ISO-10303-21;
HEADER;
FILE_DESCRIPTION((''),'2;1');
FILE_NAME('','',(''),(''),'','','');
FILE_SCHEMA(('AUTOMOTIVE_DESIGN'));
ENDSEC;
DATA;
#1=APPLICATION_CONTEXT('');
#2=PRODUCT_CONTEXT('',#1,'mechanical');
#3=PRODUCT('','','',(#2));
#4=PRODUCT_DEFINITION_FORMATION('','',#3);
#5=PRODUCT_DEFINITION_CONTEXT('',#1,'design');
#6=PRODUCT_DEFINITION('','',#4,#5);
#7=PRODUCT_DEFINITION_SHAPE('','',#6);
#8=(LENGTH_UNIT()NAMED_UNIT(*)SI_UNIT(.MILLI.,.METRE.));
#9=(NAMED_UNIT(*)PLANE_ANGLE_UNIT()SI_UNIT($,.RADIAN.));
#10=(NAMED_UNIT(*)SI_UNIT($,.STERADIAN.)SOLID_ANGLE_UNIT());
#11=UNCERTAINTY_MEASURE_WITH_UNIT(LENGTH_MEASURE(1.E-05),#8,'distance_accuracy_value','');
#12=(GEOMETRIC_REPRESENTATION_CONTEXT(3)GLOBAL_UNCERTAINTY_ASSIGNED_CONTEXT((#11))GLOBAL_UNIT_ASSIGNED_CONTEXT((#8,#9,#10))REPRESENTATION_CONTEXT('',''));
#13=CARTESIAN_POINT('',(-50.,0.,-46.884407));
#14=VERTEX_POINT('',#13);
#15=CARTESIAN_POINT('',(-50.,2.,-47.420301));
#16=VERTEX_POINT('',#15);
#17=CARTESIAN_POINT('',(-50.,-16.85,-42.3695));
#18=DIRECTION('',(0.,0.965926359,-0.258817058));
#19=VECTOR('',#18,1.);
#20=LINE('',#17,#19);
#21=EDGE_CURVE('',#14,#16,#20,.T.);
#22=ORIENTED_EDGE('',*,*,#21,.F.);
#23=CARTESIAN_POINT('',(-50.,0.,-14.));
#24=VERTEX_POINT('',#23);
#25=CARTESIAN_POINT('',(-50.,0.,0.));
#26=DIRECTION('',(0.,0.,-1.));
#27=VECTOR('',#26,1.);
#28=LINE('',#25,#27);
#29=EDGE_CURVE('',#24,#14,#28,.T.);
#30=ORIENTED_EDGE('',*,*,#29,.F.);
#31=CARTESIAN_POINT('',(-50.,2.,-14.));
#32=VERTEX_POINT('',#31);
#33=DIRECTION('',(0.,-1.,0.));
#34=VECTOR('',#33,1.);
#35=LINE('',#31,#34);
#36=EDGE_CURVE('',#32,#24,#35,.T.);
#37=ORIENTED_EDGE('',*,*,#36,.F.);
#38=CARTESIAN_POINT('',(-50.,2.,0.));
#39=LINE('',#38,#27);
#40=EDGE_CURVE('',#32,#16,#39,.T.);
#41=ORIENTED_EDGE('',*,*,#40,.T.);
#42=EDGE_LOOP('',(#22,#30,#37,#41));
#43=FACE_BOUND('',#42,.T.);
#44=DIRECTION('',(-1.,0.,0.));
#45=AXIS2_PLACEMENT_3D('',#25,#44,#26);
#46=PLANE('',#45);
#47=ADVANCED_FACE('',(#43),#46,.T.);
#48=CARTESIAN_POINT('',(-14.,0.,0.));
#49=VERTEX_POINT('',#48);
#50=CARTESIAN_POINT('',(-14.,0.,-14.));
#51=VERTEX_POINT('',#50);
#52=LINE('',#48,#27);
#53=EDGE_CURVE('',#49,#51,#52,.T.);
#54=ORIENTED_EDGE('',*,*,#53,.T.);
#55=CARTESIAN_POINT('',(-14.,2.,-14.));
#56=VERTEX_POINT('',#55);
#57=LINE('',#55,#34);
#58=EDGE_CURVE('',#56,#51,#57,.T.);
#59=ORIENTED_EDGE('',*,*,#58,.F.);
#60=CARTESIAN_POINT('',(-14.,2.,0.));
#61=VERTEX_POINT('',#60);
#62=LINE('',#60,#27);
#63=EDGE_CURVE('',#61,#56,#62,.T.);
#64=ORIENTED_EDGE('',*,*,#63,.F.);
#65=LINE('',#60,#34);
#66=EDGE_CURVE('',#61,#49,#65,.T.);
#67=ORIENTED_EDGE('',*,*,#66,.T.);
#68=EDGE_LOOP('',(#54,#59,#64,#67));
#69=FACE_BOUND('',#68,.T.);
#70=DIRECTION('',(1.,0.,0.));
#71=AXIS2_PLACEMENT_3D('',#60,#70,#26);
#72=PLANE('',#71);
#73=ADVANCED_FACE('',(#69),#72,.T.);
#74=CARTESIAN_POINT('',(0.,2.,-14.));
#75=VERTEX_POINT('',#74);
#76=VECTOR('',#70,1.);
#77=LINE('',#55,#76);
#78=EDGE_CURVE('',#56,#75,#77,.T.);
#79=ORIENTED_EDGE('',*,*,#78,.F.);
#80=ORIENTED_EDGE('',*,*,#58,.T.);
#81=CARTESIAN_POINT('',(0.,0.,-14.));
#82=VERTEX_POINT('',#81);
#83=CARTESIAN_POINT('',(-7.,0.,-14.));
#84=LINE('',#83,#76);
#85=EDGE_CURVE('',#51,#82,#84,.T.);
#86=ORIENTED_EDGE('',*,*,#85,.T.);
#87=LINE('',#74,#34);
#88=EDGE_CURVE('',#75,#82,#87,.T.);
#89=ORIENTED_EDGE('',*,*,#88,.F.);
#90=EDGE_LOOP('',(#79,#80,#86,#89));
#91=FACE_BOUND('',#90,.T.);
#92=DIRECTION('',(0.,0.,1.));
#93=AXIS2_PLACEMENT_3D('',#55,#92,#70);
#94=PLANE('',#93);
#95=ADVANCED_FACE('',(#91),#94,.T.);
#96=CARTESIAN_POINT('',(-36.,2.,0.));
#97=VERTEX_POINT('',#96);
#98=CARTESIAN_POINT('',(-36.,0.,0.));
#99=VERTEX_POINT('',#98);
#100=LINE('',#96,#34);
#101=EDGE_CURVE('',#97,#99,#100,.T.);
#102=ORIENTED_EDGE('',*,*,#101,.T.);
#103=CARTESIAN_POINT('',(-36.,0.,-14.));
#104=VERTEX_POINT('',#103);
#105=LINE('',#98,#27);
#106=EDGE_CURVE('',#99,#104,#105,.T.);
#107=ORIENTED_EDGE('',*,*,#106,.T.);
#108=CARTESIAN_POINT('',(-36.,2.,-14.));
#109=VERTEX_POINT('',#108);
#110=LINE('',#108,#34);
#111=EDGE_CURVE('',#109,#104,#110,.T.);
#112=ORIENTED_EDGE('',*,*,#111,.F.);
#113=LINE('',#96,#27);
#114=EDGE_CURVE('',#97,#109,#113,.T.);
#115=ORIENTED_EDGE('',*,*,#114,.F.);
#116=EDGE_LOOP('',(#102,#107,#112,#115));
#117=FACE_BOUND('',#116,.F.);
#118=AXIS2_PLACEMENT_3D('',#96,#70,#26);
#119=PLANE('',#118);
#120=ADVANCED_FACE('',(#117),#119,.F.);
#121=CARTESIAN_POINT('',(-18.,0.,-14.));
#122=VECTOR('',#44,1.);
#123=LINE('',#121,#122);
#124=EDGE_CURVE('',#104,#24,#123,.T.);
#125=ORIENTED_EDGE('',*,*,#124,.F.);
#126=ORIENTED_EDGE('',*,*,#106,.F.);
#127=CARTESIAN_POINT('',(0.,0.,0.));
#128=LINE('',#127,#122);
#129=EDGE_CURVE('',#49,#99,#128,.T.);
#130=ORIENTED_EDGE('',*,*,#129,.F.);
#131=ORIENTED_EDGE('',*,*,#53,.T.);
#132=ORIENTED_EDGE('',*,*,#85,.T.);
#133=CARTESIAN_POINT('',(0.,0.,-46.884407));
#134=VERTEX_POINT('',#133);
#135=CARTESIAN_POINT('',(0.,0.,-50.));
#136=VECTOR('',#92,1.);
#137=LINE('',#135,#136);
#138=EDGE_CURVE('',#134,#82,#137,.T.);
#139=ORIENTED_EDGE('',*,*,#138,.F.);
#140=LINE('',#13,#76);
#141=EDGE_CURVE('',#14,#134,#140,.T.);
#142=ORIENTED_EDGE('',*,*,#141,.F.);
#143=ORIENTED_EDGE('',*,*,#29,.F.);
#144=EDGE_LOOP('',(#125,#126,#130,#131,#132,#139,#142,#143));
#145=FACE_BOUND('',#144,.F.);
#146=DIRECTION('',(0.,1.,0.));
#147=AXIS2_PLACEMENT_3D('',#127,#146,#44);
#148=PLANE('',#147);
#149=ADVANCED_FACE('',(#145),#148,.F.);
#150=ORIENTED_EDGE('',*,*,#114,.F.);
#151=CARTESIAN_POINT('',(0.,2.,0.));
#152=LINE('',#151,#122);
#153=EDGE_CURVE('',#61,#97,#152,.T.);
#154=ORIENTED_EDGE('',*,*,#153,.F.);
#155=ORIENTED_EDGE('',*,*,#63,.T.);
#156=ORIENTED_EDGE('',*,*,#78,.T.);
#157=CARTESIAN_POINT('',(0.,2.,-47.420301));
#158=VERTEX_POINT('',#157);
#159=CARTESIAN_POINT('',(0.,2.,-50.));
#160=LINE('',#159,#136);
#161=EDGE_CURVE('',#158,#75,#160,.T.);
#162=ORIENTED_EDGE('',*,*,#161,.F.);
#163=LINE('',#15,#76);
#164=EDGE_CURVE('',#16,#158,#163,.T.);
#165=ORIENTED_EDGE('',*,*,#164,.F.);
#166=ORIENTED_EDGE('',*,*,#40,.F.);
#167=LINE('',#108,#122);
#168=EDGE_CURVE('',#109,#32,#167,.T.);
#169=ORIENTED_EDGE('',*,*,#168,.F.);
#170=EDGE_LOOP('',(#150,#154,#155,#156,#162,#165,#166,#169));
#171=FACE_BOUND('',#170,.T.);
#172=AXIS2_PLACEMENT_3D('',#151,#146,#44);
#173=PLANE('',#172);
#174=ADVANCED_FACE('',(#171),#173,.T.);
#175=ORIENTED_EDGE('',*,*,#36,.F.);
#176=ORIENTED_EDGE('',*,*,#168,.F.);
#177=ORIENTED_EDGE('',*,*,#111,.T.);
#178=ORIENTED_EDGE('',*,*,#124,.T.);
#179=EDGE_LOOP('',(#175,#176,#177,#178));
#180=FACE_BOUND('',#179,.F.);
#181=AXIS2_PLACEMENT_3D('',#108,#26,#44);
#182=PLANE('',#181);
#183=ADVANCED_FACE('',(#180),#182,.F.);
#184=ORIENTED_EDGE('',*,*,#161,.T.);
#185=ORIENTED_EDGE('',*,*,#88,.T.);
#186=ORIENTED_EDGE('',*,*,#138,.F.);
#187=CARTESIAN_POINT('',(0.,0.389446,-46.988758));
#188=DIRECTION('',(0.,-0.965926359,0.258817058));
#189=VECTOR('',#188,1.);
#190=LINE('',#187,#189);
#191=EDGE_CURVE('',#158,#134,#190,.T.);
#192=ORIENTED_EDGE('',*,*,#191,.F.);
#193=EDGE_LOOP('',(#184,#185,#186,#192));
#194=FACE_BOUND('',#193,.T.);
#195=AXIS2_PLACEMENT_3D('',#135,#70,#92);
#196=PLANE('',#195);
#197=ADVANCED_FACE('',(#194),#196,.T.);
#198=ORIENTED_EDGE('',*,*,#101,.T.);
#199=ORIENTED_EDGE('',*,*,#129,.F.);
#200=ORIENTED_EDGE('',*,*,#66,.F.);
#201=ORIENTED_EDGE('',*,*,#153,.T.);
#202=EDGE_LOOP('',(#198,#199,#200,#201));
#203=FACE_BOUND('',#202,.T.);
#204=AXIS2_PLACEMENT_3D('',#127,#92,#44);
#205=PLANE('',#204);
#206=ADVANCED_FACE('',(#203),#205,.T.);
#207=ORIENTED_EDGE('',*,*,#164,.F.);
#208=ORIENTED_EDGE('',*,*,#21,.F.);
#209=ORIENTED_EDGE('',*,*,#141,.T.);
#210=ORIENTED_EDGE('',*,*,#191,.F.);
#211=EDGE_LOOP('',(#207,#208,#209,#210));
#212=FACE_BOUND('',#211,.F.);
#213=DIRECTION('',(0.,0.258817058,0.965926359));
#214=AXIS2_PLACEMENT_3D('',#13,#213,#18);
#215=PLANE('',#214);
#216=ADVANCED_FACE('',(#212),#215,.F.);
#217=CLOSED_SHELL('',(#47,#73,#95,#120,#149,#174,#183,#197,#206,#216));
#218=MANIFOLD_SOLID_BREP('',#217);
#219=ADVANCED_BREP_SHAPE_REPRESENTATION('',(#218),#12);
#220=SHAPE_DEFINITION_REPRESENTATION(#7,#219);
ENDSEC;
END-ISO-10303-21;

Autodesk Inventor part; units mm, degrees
ref_plane "YZ Plane" through (0, 0, 0) normal (1, 0, 0) x (0, 1, 0)
ref_plane "XZ Plane" through (0, 0, 0) normal (0, 1, 0) x (-1, 0, 0)
ref_plane "XY Plane" through (0, 0, 0) normal (0, 0, 1) x (1, 0, 0)
sketch "Szkic1" plane through (0, 0, 0) normal (0, 1, 0) x (-1, 0, 0)
  line L0 (0, 0) -> (50, 0)
  line L1 (50, 0) -> (50, -50)
  line L2 (50, -50) -> (0, -50)
  line L3 (0, -50) -> (0, 0)
  dimension "d0" = 50
  dimension "d1" = 50
extrude "Wyciągnięcie proste1" add sketch "Szkic1" along normal blind 2
sketch "Szkic2" plane through (0, 2, 0) normal (0, 1, 0) x (1, 0, 0)
  line L0 (0, 50) -> (-50, 50) projected
  line L1 (-50, 50) -> (-50, 0) projected
  line L2 (-50, 0) -> (0, 0) projected
  line L3 (0, 0) -> (0, 50) projected
  line L4 (0, 0) -> (-14, 0)
  line L5 (-14, 0) -> (-14, 14)
  line L6 (-14, 14) -> (0, 14)
  line L7 (0, 14) -> (0, 0)
  line L8 (-50, 0) -> (-36, 0)
  line L9 (-36, 0) -> (-36, 14)
  line L10 (-36, 14) -> (-50, 14)
  line L11 (-50, 14) -> (-50, 0)
  point P0 (-36, 0)
  point P1 (0, 14)
  point P2 (-14, 0)
  dimension "d4" = 14
  dimension "d5" = 14
  dimension "d8" = 14
  dimension "d11" = 14
extrude "Wyciągnięcie proste2" cut sketch "Szkic2" against normal through all contours L3 L2 L5 L6 | L10 L9 L2 L1
sketch "Szkic4" plane through (-50, 0, -50) normal (-1, 0, 0) x (0, 0, 1)
  line L0 (36, 0) -> (36, 2) projected
  line L1 (0, 2) -> (36, 2) projected
  line L2 (0, 0) -> (0, 2) projected
  line L3 (0, 0) -> (36, 0) projected
  line L4 (7.6305, -16.85) -> (2.0706, 3.9) projected
  line L5 (2.0706, 3.9) -> (0, 3.9) projected
  line L6 (0, 3.9) -> (5.5599, -16.85) projected
  line L7 (5.5599, -16.85) -> (7.6305, -16.85) projected
  point P0 (50, 0)
  point P1 (3.1156, 0)
  point P2 (2.5797, 2)
extrude "Wyciągnięcie proste4" cut sketch "Szkic4" against normal through all contours L3 L6 L1 L4 | L3 L2 L1 L6
properties part number "spod" material "Stal, węglowa"
